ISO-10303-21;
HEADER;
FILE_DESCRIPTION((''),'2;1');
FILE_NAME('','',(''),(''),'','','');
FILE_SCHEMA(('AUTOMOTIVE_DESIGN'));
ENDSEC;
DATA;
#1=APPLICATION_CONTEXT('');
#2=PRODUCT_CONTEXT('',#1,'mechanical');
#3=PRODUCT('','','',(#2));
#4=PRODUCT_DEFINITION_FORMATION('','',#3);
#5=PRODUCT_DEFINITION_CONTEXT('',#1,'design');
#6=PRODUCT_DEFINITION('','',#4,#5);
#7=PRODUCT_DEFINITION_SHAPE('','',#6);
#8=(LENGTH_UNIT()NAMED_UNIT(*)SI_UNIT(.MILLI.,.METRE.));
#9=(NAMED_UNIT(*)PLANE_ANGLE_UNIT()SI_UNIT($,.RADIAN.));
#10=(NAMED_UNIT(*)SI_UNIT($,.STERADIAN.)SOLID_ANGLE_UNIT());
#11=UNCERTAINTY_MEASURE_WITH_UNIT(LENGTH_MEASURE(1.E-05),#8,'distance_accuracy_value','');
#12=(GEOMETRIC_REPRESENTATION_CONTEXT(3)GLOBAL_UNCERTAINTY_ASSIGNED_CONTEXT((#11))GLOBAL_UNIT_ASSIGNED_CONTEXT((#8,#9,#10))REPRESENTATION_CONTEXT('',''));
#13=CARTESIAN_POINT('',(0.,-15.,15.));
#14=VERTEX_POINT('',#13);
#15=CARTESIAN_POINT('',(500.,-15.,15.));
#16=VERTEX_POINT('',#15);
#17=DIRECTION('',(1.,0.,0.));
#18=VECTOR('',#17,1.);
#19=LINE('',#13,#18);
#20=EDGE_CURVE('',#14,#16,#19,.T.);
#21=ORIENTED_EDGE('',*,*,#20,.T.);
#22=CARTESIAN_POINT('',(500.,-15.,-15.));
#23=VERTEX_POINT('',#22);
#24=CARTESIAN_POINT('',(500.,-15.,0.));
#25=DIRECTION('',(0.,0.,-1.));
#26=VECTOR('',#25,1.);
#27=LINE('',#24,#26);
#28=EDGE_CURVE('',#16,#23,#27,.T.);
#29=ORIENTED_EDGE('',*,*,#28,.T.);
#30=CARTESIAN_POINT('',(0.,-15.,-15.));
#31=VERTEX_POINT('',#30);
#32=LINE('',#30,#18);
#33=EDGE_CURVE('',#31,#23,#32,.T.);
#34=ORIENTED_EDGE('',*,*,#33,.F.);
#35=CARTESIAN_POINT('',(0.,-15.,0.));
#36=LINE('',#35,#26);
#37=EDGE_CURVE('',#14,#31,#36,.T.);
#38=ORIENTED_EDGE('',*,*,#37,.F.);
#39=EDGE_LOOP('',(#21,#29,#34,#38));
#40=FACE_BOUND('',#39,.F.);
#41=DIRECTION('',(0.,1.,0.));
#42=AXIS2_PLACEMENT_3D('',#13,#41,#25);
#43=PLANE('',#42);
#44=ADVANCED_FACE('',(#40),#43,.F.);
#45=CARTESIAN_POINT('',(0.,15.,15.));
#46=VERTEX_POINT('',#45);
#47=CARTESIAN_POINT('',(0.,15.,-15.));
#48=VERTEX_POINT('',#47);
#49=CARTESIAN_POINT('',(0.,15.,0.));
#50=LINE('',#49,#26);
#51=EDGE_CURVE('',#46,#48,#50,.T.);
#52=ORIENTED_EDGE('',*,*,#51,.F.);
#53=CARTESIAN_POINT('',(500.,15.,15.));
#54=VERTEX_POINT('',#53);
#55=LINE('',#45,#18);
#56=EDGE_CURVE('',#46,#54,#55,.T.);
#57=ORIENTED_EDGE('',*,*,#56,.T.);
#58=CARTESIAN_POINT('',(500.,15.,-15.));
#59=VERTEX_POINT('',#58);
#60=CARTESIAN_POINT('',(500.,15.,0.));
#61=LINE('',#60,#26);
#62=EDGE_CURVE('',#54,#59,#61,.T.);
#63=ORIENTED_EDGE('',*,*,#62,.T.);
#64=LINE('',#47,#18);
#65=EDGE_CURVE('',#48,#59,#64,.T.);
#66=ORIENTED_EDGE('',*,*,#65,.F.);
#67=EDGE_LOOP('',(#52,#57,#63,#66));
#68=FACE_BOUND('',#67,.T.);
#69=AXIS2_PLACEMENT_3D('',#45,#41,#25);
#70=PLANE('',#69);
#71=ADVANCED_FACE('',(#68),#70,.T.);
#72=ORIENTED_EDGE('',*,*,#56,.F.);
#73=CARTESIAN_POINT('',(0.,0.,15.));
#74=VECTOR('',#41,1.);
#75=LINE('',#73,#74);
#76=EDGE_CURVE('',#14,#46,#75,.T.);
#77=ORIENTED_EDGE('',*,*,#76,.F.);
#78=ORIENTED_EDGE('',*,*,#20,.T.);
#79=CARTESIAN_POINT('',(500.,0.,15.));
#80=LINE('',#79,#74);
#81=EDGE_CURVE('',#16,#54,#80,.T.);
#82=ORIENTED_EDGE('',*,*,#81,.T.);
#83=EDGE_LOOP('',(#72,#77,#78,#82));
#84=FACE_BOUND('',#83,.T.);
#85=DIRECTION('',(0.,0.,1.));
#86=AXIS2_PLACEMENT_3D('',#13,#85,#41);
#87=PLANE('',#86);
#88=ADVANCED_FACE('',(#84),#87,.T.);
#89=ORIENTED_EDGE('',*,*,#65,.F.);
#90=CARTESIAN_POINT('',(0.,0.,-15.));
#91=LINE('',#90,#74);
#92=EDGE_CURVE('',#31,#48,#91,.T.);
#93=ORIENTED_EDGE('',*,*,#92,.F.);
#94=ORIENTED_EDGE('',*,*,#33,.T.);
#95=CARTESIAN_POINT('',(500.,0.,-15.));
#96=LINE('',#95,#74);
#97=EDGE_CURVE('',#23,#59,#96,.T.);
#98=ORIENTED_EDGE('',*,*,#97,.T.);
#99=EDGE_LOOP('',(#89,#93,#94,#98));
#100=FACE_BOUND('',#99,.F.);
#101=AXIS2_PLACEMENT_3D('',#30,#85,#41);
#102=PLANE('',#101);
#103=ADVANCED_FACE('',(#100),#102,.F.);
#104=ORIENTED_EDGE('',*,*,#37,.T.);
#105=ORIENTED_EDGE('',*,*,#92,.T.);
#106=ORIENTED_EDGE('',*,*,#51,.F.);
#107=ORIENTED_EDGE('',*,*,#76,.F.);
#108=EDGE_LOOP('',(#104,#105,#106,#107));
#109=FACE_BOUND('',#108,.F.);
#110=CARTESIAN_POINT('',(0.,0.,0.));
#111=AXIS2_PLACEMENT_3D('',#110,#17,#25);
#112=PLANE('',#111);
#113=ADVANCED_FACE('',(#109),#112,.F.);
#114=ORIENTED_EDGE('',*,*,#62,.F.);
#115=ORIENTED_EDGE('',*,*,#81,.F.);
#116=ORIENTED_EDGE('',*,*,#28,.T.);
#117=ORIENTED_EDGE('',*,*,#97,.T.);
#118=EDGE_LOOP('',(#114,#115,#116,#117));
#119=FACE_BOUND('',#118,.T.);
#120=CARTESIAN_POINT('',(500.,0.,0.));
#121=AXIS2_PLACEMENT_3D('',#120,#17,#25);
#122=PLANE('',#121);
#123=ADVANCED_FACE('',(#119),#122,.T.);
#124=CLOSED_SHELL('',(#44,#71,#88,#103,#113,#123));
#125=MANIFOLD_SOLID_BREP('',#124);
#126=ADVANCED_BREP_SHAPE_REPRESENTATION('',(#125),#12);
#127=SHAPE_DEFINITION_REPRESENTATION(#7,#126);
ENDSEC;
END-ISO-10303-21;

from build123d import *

# Parameters (mm, degrees)
SKETCH_1_W      = 30
SKETCH_1_H      = 30
EXTRUDE_1_DEPTH = 500


with BuildPart() as part:
    # 스케치1 → 보스-돌출1 (new body)
    with BuildSketch(Plane(origin=(0, 0, 0), x_dir=(0, 0, -1), z_dir=(1, 0, 0))):
        Rectangle(SKETCH_1_W, SKETCH_1_H)
    extrude(amount=EXTRUDE_1_DEPTH)


solid = part.part
